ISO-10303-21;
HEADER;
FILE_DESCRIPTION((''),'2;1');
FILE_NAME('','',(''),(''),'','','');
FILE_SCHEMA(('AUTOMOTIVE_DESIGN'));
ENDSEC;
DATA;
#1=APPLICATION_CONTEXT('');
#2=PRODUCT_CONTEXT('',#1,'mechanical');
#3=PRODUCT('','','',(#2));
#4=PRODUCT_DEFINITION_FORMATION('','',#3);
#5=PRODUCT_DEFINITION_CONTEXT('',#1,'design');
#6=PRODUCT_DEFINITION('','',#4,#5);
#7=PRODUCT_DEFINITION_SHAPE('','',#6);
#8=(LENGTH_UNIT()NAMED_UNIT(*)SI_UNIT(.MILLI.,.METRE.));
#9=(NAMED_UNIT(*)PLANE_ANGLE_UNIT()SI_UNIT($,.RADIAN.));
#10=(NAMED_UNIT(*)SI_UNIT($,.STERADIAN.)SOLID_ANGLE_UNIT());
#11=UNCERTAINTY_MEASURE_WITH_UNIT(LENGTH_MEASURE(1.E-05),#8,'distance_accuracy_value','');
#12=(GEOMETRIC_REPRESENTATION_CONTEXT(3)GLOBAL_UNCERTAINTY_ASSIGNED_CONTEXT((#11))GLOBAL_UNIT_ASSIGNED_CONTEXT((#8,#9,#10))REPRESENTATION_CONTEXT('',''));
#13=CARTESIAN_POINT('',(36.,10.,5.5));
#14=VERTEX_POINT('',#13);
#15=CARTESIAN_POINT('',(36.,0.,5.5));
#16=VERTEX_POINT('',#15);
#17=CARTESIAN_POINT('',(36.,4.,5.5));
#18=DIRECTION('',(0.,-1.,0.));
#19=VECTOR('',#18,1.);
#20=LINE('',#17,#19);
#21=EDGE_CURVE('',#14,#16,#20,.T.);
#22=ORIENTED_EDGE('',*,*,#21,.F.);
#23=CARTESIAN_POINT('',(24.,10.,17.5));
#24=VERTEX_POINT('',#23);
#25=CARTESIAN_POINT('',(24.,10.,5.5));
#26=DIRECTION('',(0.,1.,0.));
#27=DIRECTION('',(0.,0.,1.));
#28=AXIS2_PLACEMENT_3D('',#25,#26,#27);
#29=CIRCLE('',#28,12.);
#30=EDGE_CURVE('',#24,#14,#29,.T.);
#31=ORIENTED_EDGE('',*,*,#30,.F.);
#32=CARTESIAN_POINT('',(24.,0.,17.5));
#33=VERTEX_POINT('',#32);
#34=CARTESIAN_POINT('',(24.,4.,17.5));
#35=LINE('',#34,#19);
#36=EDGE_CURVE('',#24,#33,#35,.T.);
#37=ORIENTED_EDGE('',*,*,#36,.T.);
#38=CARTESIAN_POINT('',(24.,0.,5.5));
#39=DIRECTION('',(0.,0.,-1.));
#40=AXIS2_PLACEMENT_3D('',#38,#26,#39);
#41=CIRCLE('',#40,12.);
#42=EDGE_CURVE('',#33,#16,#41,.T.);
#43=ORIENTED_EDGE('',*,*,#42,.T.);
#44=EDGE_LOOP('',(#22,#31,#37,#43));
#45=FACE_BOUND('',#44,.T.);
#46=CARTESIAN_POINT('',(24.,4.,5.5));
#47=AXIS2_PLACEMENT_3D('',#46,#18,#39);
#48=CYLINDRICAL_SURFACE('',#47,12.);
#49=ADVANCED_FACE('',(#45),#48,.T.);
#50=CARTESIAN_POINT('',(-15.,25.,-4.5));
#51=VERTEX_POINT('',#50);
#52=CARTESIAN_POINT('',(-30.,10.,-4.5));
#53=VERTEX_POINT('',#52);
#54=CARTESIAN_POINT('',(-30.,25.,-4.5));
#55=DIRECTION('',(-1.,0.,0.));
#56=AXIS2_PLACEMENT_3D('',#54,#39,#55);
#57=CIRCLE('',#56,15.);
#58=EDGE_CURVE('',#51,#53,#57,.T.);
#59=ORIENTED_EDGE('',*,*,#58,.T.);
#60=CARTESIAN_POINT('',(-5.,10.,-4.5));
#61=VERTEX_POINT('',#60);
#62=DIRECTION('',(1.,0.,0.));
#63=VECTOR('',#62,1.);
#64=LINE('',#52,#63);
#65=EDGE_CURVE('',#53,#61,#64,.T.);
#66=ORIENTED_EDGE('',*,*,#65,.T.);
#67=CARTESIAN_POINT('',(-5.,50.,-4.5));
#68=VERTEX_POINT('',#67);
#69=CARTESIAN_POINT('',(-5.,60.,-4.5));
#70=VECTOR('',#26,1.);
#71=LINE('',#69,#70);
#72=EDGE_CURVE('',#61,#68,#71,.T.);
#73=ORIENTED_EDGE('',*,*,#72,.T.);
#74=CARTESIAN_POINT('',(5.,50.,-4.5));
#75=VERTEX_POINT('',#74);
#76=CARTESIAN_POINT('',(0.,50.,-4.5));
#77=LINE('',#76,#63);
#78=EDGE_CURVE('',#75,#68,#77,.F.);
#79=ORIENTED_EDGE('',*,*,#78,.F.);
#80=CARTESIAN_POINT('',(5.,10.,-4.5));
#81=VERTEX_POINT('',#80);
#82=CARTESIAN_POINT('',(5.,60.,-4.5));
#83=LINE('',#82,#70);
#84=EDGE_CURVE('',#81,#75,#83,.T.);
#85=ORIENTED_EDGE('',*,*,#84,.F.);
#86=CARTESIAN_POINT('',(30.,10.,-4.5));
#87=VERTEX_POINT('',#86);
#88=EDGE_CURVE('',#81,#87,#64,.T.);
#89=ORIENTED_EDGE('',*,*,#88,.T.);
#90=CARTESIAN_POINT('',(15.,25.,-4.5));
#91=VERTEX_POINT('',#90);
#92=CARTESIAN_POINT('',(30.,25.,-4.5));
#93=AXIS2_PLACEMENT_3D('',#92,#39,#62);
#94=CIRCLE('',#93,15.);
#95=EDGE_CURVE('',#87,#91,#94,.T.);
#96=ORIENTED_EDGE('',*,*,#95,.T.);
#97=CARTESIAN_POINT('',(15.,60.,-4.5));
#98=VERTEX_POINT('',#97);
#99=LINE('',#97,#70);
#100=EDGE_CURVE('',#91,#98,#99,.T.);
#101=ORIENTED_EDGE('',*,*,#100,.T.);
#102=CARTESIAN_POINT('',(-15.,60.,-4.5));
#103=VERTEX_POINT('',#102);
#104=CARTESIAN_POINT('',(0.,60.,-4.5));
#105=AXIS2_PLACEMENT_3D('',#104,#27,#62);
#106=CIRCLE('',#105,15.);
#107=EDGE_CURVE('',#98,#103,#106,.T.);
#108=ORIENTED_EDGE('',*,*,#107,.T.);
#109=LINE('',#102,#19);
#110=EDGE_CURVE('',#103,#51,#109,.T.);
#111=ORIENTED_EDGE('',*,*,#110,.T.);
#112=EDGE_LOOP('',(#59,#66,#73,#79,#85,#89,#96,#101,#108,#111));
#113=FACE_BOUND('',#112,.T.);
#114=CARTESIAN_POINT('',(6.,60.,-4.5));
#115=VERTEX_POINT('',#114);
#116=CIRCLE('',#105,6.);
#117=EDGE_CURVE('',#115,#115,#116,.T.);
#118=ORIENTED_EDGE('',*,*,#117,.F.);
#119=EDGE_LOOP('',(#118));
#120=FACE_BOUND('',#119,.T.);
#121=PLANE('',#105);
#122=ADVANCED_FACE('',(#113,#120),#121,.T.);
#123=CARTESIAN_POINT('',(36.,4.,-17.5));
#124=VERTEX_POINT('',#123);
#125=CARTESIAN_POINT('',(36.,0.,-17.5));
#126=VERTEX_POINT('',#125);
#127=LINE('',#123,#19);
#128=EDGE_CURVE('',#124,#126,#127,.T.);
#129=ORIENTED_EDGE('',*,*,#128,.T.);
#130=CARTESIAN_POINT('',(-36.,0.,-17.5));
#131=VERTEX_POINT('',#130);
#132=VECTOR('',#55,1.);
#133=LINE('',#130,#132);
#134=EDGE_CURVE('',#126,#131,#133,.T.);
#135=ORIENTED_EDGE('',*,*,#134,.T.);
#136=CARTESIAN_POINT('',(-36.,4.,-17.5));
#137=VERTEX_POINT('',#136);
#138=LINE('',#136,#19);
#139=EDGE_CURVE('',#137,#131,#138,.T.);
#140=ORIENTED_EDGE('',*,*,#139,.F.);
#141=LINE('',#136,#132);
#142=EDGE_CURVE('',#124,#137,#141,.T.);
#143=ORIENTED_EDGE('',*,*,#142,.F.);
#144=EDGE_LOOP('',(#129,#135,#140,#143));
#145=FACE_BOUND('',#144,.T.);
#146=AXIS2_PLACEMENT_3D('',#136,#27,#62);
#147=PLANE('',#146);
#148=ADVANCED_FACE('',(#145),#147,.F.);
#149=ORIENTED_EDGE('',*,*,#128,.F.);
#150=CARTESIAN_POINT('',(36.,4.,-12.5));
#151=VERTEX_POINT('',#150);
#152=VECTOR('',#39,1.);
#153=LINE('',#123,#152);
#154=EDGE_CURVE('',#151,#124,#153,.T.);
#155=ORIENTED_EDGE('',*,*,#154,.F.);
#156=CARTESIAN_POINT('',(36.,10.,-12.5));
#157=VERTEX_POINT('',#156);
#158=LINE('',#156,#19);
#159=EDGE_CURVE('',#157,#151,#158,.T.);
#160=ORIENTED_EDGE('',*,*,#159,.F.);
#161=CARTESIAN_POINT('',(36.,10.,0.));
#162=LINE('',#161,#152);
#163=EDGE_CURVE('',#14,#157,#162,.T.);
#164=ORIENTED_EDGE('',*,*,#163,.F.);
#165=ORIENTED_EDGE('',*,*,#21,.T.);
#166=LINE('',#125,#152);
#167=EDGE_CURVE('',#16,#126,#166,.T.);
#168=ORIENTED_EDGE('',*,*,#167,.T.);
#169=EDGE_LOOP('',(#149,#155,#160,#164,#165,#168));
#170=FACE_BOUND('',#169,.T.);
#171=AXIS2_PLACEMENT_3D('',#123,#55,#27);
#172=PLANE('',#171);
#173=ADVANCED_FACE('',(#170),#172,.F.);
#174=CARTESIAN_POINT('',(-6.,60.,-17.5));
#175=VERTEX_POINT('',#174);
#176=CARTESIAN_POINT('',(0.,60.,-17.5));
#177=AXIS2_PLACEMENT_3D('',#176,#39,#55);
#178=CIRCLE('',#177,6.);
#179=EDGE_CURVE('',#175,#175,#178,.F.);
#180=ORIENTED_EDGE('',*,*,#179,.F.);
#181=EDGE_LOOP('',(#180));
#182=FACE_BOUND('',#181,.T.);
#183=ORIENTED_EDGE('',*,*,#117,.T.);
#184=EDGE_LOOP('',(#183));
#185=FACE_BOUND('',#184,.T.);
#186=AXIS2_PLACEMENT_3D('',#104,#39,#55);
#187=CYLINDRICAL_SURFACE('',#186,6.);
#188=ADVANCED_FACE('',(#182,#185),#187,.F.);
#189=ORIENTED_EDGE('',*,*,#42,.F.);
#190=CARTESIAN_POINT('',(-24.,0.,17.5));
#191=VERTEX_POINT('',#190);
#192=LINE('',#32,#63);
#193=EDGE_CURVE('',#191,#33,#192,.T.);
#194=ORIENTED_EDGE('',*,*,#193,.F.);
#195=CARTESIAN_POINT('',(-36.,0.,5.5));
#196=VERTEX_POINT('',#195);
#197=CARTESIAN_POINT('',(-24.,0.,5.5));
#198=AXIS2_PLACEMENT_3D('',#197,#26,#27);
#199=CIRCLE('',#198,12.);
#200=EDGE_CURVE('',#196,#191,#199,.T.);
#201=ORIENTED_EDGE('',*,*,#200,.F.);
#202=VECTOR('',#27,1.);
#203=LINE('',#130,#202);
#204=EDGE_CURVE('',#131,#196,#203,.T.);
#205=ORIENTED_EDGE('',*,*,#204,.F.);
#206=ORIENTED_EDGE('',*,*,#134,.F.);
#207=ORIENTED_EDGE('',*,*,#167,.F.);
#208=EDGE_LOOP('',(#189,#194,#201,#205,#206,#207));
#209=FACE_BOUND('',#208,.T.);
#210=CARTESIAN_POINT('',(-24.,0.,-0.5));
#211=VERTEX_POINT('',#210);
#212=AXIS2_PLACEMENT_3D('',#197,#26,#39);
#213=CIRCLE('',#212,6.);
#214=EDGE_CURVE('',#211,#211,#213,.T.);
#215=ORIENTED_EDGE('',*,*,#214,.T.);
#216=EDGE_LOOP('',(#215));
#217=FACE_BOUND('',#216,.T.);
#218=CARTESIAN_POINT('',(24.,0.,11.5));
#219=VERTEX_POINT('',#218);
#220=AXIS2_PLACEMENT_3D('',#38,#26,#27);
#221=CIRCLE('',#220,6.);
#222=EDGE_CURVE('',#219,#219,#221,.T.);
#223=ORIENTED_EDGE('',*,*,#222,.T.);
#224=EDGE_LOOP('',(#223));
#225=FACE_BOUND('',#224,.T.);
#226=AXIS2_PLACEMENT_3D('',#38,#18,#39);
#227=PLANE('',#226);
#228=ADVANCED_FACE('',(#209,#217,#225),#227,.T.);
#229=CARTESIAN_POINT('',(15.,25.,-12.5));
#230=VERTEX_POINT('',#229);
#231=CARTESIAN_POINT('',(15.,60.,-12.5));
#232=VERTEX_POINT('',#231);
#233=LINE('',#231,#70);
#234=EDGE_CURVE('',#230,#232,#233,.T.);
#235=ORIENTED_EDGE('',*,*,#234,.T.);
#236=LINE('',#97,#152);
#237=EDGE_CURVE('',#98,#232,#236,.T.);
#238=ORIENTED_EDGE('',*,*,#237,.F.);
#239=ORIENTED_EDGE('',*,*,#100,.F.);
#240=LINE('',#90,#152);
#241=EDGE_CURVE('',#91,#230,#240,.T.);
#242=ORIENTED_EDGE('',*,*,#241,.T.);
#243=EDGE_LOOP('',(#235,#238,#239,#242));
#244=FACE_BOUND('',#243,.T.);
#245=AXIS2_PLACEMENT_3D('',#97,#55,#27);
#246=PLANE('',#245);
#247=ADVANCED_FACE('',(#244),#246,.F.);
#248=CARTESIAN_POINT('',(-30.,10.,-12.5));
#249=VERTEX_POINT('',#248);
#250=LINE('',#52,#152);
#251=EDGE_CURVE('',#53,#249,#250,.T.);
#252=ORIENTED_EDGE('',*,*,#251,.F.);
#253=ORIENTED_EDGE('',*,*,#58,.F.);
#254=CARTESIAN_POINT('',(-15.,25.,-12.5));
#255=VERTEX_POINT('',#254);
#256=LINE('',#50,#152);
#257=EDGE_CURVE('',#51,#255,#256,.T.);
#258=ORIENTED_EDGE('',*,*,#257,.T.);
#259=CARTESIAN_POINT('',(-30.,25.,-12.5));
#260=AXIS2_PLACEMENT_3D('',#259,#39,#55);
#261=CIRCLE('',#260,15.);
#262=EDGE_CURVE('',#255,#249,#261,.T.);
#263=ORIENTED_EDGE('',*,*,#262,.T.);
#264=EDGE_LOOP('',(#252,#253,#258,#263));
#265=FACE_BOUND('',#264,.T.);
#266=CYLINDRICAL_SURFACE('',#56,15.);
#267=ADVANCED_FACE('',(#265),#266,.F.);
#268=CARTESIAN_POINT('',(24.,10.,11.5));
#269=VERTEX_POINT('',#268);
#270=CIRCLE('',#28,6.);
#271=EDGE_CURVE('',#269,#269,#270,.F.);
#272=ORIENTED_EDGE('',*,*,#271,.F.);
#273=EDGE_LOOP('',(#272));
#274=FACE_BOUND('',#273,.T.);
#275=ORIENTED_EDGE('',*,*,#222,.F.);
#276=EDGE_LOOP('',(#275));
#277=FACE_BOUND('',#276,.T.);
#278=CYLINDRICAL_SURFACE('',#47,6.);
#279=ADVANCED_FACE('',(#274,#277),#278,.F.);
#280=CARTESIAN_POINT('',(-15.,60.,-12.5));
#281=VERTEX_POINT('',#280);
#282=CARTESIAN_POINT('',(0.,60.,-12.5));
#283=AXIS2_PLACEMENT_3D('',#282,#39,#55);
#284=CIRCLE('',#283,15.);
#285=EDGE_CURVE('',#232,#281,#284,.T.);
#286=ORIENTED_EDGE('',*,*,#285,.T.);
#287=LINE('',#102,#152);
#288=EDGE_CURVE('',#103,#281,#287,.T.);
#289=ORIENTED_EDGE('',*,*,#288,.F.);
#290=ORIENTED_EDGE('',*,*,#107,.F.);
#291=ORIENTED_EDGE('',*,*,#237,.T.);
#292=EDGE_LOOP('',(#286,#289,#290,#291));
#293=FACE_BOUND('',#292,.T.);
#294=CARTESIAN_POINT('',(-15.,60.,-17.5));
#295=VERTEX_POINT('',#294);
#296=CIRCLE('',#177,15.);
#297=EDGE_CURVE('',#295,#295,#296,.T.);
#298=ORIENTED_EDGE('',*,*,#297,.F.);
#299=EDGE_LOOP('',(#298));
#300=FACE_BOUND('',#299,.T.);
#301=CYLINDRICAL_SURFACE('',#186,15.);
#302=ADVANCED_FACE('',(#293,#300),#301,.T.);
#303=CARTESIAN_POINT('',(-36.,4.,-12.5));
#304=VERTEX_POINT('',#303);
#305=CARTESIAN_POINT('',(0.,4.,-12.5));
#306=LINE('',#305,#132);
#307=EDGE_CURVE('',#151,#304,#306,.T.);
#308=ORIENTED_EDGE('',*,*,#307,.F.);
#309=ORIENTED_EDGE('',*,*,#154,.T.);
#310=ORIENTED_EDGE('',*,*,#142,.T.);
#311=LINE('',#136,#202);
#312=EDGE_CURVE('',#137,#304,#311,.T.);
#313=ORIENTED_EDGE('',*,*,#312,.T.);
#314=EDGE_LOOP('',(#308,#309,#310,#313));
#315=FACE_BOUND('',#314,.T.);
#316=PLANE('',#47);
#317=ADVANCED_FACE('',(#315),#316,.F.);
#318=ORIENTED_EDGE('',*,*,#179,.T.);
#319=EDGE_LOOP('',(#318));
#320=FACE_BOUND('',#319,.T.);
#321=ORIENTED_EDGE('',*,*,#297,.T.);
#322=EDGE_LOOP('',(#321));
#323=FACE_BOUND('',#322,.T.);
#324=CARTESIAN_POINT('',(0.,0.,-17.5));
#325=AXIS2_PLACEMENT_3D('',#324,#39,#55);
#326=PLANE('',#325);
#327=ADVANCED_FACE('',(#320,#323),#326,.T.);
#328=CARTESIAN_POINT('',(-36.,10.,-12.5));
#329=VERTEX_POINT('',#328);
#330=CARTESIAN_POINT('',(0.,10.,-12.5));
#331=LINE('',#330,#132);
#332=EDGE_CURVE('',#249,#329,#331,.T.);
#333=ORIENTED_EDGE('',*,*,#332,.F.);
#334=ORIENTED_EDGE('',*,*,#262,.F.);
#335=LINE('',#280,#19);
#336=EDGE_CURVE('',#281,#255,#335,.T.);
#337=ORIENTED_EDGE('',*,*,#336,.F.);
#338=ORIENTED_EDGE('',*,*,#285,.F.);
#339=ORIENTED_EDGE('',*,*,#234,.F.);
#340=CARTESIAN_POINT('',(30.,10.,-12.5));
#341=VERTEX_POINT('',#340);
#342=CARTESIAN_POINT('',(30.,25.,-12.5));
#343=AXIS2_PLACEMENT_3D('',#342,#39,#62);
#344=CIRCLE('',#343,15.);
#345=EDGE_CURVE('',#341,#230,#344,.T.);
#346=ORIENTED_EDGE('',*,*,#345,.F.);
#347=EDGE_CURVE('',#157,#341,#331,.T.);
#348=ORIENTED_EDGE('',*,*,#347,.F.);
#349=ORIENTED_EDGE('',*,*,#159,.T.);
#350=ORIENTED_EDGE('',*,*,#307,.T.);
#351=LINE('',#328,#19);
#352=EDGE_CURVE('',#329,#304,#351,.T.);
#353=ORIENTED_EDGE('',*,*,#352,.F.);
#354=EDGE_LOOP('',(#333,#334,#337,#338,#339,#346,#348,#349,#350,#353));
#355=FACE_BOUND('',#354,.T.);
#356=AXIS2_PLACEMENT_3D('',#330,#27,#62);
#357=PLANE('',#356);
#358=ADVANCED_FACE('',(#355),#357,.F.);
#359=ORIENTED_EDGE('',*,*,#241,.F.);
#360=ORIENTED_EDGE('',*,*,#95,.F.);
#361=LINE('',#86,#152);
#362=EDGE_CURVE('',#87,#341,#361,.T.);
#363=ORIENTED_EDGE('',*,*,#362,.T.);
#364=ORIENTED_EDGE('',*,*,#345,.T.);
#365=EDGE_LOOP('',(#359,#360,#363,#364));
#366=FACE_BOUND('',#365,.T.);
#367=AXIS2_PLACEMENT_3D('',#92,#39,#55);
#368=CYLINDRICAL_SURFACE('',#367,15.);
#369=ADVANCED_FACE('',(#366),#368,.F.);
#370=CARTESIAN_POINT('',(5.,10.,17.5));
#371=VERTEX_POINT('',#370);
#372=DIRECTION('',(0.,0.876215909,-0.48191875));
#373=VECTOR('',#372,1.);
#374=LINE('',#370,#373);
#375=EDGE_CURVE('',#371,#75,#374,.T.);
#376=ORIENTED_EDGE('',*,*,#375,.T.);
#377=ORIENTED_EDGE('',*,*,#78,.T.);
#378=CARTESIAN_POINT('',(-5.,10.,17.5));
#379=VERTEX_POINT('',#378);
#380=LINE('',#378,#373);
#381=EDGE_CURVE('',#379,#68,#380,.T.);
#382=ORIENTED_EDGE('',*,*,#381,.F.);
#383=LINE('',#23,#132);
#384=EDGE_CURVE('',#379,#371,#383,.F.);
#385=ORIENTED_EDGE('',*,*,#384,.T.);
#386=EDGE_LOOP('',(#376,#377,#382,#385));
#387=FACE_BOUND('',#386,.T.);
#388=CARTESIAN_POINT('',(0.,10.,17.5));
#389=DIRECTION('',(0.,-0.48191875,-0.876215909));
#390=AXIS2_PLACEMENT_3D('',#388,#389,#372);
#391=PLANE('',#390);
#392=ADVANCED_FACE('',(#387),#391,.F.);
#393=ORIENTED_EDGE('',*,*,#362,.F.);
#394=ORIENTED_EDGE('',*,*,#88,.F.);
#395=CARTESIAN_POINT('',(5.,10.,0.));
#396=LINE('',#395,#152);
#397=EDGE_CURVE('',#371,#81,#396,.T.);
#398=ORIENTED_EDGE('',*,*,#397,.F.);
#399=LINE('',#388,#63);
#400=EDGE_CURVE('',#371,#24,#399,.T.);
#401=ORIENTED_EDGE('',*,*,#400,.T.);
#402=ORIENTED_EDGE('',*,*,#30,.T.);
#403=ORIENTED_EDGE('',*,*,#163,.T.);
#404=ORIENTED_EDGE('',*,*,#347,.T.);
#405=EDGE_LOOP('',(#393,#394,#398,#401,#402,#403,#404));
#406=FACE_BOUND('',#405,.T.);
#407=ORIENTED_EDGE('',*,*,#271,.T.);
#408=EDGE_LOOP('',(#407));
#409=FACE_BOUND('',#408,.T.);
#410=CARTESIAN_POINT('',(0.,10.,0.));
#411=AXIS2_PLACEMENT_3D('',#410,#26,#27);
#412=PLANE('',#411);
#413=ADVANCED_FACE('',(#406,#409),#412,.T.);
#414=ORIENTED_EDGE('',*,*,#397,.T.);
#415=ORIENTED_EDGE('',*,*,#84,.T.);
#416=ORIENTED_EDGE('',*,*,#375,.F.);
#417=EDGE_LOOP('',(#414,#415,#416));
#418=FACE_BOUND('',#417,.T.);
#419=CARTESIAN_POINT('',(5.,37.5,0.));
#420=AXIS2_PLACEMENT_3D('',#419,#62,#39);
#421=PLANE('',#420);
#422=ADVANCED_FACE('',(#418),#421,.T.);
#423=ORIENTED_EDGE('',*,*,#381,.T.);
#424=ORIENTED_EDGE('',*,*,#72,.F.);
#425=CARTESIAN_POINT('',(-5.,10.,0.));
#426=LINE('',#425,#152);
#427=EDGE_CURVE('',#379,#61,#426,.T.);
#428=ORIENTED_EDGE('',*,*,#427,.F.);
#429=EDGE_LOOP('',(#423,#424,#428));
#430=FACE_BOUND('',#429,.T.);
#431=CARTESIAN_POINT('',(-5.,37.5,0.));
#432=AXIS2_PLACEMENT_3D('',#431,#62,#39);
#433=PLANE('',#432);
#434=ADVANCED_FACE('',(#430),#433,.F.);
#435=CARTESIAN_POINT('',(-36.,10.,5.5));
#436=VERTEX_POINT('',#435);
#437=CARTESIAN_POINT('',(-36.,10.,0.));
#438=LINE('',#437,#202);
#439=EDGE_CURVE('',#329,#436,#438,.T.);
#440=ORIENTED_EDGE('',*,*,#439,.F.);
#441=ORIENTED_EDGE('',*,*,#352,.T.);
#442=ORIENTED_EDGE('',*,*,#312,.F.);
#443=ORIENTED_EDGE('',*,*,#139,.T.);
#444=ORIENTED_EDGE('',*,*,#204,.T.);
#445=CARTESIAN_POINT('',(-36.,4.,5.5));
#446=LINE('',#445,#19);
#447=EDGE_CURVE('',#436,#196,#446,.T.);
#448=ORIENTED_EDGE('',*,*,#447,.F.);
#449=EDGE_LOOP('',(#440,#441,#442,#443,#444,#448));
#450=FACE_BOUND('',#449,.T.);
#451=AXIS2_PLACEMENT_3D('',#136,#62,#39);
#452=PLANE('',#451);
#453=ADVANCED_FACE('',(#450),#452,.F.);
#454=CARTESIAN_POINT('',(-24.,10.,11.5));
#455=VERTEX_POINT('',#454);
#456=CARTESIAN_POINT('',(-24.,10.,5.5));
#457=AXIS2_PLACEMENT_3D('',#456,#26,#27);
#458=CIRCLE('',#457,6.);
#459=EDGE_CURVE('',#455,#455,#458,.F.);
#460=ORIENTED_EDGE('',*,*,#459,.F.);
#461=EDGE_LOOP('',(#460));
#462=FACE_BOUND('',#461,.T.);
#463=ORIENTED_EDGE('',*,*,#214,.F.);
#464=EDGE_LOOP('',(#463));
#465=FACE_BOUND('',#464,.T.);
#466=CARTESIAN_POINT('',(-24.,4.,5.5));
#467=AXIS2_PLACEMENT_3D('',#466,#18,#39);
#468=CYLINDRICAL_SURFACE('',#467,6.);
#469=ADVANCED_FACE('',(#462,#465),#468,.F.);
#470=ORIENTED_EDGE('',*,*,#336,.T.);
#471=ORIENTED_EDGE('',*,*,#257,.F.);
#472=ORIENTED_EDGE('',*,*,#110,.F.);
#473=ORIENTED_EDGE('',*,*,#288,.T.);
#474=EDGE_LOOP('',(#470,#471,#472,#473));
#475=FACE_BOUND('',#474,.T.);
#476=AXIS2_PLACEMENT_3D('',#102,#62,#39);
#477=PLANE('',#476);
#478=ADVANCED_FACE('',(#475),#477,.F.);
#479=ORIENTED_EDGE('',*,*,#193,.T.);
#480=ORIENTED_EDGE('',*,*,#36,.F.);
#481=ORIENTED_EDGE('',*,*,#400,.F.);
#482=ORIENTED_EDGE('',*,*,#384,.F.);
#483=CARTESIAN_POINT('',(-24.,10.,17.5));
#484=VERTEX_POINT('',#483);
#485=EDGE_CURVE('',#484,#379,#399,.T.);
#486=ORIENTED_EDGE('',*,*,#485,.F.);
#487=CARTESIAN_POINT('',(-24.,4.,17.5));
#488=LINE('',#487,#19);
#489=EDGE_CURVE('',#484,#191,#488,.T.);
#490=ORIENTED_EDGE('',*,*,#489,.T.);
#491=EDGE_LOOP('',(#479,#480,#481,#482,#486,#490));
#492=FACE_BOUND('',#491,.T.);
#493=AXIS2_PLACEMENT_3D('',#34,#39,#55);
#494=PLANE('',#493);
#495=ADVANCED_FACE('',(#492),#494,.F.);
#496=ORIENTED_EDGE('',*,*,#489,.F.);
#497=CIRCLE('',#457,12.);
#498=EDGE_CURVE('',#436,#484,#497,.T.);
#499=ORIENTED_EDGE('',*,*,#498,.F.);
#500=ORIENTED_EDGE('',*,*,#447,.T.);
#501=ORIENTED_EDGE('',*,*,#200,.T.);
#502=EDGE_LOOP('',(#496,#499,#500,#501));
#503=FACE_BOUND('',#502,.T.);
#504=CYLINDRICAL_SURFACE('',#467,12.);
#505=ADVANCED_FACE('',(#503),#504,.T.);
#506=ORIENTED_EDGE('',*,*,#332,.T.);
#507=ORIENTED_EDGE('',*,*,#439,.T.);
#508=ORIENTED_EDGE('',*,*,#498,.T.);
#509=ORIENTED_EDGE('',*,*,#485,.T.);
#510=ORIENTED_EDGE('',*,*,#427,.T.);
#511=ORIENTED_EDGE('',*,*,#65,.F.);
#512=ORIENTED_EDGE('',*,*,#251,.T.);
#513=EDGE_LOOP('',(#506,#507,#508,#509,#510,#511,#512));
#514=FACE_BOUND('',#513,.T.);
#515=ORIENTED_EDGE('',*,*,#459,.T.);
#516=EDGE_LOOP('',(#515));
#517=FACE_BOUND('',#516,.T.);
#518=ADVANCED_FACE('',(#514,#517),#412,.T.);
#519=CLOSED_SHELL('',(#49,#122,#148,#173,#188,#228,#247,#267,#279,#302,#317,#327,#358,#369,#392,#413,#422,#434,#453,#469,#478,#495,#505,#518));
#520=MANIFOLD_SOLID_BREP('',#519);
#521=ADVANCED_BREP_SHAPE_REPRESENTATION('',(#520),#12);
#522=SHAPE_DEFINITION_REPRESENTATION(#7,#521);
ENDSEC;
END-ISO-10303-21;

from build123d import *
from build123d.topology import SkipClean

# Parameters (mm, degrees)
SKETCH1_R           = 6
BOSS_EXTRUDE1_DEPTH = 4
SKETCH2_R           = 6
BOSS_EXTRUDE2_DEPTH = 6
SKETCH6_R           = 6
BOSS_EXTRUDE3_DEPTH = 8
BOSS_EXTRUDE4_START = 5
SKETCH7_R           = 6
BOSS_EXTRUDE4_DEPTH = 5
RIB1_REACH          = 87.013
SKETCH8_WALL_W      = 217.67731737
SKETCH8_WALL_H      = 10


with BuildPart() as part:
    # Sketch1 → Boss-Extrude1 (new body)
    with BuildSketch(Plane(origin=(0, 0, 0), x_dir=(1, 0, 0), z_dir=(0, 1, 0))):
        with BuildLine():
            Line((-36, 17.5), (36, 17.5))
            Line((36, 17.5), (36, -5.5))
            ThreePointArc((36, -5.5), (32.485281374, -13.985281374), (24, -17.5))
            Line((24, -17.5), (-24, -17.5))
            ThreePointArc((-24, -17.5), (-32.485281374, -13.985281374), (-36, -5.5))
            Line((-36, -5.5), (-36, 17.5))
        make_face()
        with Locations(Location((24, -5.5, 0), (0, 0, 270))):
            Circle(SKETCH1_R, mode=Mode.SUBTRACT)
        with Locations(Location((-24, -5.5, 0), (0, 0, 90))):
            Circle(SKETCH1_R, mode=Mode.SUBTRACT)
    extrude(amount=BOSS_EXTRUDE1_DEPTH)

    # Sketch2 → Boss-Extrude2 (add)
    with BuildSketch(Plane(origin=(0, 4, 0), x_dir=(1, 0, 0), z_dir=(0, 1, 0))):
        with BuildLine():
            Line((36, -5.5), (36, 12.5))
            Line((36, 12.5), (-36, 12.5))
            Line((-36, 12.5), (-36, -5.5))
            ThreePointArc((-36, -5.5), (-32.485281374, -13.985281374), (-24, -17.5))
            Line((-24, -17.5), (24, -17.5))
            ThreePointArc((24, -17.5), (32.485281374, -13.985281374), (36, -5.5))
        make_face()
        with Locations(Location((-24, -5.5, 0), (0, 0, 90))):
            Circle(SKETCH2_R, mode=Mode.SUBTRACT)
        with Locations(Location((24, -5.5, 0), (0, 0, 270))):
            Circle(SKETCH2_R, mode=Mode.SUBTRACT)
    extrude(amount=BOSS_EXTRUDE2_DEPTH)

    # Sketch6 → Boss-Extrude3 (add)
    with BuildSketch(Plane.XY.offset(-12.5)):
        with BuildLine():
            Line((15, 60), (15, 25))
            ThreePointArc((15, 25), (19.393398282, 14.393398282), (30, 10))
            Line((30, 10), (-30, 10))
            ThreePointArc((-30, 10), (-19.393398282, 14.393398282), (-15, 25))
            Line((-15, 25), (-15, 60))
            ThreePointArc((-15, 60), (0, 75), (15, 60))
        make_face()
        with Locations((0, 60)):
            Circle(SKETCH6_R, mode=Mode.SUBTRACT)
    extrude(amount=BOSS_EXTRUDE3_DEPTH)

    # Sketch7 → Boss-Extrude4 (add)
    with SkipClean():  # the faces are left unmerged after this step: merging them gives an invalid solid
        with BuildSketch(Plane(origin=(0, 0, -12.5), x_dir=(-1, 0, 0), z_dir=(0, 0, -1)).offset(BOSS_EXTRUDE4_START)):
            with BuildLine():
                ThreePointArc((15, 60), (0, 75), (-15, 60))
                ThreePointArc((-15, 60), (0, 45), (15, 60))
            make_face()
            with Locations((0, 60)):
                Circle(SKETCH7_R, mode=Mode.SUBTRACT)
        extrude(amount=-BOSS_EXTRUDE4_DEPTH)

    # Sketch8 wall → Rib1 (add, up to next)
    with BuildSketch(Plane(origin=(0, 30, 6.5), x_dir=(0, 0.876215908677, -0.481918749772), z_dir=(0, 0.481918749772, 0.876215908677)), mode=Mode.PRIVATE) as rib1_sk1:
        Rectangle(SKETCH8_WALL_W, SKETCH8_WALL_H)
    rib1_tool1 = extrude(rib1_sk1.sketch, amount=-RIB1_REACH, mode=Mode.PRIVATE) - part.part
    add(rib1_tool1.solids().sort_by_distance((0, 30, 6.5))[0])


solid = part.part
